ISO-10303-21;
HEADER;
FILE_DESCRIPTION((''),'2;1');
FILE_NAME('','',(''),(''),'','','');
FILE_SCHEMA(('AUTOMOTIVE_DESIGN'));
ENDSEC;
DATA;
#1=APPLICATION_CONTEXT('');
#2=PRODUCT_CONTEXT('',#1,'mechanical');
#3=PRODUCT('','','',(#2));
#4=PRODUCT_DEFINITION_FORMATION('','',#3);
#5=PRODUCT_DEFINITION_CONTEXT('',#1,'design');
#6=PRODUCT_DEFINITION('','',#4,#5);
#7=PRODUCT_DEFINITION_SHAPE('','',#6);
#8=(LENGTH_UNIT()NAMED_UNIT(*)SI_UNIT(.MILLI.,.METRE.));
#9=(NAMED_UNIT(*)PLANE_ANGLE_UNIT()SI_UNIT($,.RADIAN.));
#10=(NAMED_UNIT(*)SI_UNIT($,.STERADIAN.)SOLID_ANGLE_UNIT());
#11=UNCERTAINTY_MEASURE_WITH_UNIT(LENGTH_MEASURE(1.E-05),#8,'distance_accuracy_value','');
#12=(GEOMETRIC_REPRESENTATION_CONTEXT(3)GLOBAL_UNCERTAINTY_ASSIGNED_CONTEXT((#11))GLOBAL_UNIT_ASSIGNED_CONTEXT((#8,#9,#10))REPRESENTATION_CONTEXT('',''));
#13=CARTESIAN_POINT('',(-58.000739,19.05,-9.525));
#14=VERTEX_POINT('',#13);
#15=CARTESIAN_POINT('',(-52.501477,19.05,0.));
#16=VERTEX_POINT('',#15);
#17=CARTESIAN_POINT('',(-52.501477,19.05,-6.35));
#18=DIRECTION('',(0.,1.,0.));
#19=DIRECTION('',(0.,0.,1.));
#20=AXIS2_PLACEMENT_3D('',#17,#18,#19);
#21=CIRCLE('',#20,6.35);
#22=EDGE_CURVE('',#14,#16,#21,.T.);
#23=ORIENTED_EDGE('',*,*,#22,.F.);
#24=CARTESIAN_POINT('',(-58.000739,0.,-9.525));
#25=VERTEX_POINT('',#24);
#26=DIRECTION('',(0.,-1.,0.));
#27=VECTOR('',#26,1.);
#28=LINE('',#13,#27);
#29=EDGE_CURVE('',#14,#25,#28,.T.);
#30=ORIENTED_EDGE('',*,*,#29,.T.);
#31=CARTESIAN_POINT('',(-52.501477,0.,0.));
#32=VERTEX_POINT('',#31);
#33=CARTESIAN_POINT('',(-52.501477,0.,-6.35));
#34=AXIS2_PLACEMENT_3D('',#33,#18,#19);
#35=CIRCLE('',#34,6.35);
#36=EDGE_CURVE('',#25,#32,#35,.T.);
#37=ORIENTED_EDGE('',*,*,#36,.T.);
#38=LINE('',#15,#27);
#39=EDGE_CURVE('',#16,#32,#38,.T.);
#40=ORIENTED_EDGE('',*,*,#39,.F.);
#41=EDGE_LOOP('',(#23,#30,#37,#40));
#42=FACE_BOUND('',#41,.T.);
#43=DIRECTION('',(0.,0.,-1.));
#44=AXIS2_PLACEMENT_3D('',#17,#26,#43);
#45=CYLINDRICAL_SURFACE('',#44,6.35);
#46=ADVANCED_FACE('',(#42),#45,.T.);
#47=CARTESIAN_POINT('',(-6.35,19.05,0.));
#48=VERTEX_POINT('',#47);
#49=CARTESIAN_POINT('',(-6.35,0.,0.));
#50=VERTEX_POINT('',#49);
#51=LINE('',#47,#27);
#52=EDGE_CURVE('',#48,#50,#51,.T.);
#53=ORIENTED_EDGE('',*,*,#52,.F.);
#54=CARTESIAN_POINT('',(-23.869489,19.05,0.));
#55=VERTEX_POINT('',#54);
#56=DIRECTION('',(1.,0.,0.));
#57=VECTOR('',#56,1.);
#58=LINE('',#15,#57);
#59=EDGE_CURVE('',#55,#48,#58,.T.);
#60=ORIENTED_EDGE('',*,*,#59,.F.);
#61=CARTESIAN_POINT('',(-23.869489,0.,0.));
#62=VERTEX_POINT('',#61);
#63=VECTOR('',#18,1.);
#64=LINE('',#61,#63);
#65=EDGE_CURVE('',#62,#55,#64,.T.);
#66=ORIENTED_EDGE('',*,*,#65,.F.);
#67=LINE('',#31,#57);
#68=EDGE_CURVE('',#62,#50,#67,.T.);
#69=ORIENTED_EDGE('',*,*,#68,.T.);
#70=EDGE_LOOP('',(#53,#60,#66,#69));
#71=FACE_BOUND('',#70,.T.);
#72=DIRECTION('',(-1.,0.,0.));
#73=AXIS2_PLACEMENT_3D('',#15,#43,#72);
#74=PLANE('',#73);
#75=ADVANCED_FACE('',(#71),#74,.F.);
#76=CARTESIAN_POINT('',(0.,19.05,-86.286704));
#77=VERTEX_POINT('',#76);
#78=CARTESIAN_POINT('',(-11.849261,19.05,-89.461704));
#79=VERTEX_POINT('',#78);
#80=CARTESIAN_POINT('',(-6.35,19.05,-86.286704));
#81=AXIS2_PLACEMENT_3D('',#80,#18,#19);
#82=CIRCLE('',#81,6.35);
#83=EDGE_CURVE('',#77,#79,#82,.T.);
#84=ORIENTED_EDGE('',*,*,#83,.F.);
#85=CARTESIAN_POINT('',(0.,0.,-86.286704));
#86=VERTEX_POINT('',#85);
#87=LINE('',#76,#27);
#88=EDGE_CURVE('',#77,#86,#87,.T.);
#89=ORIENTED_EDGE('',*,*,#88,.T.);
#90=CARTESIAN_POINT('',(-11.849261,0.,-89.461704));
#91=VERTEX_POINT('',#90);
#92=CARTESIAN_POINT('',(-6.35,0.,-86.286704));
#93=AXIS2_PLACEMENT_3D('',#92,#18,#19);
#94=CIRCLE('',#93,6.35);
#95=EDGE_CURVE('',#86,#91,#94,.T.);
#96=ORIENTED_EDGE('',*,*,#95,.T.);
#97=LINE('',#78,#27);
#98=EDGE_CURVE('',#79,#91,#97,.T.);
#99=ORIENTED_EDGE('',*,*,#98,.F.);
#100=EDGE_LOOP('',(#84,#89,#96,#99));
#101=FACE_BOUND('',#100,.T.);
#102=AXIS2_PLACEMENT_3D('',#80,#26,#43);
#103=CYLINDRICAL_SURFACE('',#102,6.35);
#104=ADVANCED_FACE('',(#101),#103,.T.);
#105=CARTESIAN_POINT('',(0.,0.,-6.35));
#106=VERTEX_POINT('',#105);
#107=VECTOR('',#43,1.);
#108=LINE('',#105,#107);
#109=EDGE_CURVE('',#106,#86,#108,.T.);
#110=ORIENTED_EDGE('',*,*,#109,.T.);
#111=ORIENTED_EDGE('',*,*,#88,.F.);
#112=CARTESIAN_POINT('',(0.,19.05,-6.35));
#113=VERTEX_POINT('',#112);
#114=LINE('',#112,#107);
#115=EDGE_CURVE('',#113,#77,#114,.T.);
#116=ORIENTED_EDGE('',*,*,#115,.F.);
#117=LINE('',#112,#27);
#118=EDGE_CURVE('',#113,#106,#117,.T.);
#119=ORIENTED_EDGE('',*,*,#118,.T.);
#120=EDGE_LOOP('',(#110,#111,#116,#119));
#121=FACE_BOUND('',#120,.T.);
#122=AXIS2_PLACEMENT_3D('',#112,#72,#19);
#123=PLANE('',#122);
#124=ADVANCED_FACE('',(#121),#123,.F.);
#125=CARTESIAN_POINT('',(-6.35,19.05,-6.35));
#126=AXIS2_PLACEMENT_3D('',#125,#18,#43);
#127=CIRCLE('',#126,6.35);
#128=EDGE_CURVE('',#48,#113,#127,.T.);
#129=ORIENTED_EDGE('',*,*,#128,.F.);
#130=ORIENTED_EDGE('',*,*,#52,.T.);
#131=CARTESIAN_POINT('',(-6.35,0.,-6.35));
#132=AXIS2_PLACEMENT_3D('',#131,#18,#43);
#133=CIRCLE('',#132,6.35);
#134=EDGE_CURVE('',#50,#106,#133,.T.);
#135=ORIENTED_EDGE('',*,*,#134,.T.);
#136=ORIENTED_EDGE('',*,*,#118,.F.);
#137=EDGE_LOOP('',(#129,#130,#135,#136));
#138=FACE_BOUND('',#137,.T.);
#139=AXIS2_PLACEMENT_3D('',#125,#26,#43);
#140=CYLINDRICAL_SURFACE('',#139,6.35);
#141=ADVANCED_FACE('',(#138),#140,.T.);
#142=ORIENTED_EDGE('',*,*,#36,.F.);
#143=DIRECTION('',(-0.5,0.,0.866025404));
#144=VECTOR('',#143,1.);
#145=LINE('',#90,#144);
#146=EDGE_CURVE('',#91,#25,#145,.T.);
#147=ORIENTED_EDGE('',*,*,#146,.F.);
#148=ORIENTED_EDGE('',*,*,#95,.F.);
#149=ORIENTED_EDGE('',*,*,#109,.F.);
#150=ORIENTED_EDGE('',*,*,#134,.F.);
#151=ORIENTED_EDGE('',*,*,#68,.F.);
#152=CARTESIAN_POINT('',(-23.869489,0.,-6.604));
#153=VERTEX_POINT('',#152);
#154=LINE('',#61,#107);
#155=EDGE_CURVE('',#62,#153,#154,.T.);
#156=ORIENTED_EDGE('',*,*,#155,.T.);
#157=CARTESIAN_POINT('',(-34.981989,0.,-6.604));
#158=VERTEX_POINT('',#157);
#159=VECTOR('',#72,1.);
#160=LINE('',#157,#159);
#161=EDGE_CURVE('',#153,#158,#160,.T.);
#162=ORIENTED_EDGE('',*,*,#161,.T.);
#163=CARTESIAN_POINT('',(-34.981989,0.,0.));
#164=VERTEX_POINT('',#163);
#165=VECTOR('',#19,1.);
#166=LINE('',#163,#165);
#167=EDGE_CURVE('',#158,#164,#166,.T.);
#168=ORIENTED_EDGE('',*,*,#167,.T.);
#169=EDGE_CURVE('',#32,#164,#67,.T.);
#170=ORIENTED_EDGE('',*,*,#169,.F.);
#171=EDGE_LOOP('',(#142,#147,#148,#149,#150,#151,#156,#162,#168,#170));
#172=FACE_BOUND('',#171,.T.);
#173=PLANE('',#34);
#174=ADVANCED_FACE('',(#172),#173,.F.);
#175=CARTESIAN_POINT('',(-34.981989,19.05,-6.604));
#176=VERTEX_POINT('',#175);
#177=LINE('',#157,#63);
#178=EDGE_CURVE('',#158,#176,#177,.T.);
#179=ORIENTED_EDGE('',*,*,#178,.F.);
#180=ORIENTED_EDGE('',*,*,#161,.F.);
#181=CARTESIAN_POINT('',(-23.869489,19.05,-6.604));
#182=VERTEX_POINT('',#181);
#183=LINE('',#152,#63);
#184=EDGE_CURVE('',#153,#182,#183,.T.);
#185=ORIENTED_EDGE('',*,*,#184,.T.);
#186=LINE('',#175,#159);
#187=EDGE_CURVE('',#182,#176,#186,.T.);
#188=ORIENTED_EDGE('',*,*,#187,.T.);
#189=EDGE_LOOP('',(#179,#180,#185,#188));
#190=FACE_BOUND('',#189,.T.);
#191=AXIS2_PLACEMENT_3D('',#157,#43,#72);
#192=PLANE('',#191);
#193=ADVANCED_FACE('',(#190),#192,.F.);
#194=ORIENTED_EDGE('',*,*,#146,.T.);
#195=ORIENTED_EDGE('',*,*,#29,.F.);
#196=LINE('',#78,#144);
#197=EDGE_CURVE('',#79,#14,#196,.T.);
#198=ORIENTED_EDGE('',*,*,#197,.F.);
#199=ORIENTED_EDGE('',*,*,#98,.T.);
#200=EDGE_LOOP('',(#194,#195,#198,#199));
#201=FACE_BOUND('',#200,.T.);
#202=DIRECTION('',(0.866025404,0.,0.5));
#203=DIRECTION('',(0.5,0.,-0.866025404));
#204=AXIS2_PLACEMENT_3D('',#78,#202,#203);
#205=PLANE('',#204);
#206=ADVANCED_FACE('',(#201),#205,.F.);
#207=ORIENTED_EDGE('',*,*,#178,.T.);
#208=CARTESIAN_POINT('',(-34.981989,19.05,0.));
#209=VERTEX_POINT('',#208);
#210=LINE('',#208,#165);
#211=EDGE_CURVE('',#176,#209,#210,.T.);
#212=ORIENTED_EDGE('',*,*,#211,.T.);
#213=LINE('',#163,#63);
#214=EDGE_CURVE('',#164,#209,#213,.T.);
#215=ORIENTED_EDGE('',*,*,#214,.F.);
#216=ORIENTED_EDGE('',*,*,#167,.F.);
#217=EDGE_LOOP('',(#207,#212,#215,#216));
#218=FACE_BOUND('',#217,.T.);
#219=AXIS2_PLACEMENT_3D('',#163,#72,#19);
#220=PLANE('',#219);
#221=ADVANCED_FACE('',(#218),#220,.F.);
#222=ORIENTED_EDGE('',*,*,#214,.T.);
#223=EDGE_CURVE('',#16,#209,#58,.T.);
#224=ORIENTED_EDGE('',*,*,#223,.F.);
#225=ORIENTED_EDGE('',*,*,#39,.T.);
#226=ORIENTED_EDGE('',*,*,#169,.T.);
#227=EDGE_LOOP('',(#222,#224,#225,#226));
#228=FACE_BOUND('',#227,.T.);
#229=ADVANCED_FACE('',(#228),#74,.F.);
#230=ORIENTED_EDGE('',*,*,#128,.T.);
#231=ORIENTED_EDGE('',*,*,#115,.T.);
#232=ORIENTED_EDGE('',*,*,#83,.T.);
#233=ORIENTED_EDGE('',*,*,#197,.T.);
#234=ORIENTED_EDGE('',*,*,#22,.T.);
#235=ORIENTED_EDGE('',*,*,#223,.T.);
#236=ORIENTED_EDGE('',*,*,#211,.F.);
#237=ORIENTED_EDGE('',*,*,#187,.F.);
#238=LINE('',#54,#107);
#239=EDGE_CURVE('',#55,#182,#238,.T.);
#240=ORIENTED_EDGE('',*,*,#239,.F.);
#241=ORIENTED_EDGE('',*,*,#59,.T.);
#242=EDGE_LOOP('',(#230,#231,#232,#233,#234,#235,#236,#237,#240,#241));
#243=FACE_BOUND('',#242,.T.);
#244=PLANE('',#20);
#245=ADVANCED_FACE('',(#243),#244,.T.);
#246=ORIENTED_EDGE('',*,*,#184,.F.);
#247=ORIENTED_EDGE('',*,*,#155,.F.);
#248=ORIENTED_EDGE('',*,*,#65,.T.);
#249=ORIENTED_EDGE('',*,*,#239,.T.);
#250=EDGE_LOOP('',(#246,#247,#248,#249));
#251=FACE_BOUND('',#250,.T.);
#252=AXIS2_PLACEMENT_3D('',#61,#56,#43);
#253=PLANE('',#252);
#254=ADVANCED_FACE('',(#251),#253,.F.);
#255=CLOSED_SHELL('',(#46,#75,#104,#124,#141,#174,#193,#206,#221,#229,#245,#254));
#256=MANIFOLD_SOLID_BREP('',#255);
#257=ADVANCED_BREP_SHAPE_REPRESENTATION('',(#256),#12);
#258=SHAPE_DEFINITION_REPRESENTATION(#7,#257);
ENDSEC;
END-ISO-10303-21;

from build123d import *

# Parameters (mm, degrees)
BOSS_EXTRUDE1_DEPTH = 19.05
SKETCH2_W           = 11.1125
SKETCH2_H           = 6.604
CUT_EXTRUDE1_DEPTH  = 112.391012889


with BuildPart() as part:
    # Sketch1 → Boss-Extrude1 (new body)
    with BuildSketch(Plane(origin=(0, 0, 0), x_dir=(1, 0, 0), z_dir=(0, 1, 0))):
        with BuildLine():
            Line((0, 6.35), (0, 86.286703653))
            ThreePointArc((0, 86.286703653), (-4.706499064, 92.420332649), (-11.849261314, 89.461703653))
            Line((-11.849261314, 89.461703653), (-58.000738686, 9.525))
            ThreePointArc((-58.000738686, 9.525), (-58.000738686, 3.175), (-52.501477372, 0))
            Line((-52.501477372, 0), (-6.35, 0))
            ThreePointArc((-6.35, 0), (-1.859871939, 1.859871939), (0, 6.35))
        make_face()
    extrude(amount=BOSS_EXTRUDE1_DEPTH)

    # Sketch2 → Cut-Extrude1 (cut, through all)
    with BuildSketch(Plane(origin=(0, 19.05, 0), x_dir=(1, 0, 0), z_dir=(0, 1, 0))):
        with Locations((-29.425738686, 3.302)):
            Rectangle(SKETCH2_W, SKETCH2_H)
    extrude(amount=-CUT_EXTRUDE1_DEPTH, mode=Mode.SUBTRACT)


solid = part.part
